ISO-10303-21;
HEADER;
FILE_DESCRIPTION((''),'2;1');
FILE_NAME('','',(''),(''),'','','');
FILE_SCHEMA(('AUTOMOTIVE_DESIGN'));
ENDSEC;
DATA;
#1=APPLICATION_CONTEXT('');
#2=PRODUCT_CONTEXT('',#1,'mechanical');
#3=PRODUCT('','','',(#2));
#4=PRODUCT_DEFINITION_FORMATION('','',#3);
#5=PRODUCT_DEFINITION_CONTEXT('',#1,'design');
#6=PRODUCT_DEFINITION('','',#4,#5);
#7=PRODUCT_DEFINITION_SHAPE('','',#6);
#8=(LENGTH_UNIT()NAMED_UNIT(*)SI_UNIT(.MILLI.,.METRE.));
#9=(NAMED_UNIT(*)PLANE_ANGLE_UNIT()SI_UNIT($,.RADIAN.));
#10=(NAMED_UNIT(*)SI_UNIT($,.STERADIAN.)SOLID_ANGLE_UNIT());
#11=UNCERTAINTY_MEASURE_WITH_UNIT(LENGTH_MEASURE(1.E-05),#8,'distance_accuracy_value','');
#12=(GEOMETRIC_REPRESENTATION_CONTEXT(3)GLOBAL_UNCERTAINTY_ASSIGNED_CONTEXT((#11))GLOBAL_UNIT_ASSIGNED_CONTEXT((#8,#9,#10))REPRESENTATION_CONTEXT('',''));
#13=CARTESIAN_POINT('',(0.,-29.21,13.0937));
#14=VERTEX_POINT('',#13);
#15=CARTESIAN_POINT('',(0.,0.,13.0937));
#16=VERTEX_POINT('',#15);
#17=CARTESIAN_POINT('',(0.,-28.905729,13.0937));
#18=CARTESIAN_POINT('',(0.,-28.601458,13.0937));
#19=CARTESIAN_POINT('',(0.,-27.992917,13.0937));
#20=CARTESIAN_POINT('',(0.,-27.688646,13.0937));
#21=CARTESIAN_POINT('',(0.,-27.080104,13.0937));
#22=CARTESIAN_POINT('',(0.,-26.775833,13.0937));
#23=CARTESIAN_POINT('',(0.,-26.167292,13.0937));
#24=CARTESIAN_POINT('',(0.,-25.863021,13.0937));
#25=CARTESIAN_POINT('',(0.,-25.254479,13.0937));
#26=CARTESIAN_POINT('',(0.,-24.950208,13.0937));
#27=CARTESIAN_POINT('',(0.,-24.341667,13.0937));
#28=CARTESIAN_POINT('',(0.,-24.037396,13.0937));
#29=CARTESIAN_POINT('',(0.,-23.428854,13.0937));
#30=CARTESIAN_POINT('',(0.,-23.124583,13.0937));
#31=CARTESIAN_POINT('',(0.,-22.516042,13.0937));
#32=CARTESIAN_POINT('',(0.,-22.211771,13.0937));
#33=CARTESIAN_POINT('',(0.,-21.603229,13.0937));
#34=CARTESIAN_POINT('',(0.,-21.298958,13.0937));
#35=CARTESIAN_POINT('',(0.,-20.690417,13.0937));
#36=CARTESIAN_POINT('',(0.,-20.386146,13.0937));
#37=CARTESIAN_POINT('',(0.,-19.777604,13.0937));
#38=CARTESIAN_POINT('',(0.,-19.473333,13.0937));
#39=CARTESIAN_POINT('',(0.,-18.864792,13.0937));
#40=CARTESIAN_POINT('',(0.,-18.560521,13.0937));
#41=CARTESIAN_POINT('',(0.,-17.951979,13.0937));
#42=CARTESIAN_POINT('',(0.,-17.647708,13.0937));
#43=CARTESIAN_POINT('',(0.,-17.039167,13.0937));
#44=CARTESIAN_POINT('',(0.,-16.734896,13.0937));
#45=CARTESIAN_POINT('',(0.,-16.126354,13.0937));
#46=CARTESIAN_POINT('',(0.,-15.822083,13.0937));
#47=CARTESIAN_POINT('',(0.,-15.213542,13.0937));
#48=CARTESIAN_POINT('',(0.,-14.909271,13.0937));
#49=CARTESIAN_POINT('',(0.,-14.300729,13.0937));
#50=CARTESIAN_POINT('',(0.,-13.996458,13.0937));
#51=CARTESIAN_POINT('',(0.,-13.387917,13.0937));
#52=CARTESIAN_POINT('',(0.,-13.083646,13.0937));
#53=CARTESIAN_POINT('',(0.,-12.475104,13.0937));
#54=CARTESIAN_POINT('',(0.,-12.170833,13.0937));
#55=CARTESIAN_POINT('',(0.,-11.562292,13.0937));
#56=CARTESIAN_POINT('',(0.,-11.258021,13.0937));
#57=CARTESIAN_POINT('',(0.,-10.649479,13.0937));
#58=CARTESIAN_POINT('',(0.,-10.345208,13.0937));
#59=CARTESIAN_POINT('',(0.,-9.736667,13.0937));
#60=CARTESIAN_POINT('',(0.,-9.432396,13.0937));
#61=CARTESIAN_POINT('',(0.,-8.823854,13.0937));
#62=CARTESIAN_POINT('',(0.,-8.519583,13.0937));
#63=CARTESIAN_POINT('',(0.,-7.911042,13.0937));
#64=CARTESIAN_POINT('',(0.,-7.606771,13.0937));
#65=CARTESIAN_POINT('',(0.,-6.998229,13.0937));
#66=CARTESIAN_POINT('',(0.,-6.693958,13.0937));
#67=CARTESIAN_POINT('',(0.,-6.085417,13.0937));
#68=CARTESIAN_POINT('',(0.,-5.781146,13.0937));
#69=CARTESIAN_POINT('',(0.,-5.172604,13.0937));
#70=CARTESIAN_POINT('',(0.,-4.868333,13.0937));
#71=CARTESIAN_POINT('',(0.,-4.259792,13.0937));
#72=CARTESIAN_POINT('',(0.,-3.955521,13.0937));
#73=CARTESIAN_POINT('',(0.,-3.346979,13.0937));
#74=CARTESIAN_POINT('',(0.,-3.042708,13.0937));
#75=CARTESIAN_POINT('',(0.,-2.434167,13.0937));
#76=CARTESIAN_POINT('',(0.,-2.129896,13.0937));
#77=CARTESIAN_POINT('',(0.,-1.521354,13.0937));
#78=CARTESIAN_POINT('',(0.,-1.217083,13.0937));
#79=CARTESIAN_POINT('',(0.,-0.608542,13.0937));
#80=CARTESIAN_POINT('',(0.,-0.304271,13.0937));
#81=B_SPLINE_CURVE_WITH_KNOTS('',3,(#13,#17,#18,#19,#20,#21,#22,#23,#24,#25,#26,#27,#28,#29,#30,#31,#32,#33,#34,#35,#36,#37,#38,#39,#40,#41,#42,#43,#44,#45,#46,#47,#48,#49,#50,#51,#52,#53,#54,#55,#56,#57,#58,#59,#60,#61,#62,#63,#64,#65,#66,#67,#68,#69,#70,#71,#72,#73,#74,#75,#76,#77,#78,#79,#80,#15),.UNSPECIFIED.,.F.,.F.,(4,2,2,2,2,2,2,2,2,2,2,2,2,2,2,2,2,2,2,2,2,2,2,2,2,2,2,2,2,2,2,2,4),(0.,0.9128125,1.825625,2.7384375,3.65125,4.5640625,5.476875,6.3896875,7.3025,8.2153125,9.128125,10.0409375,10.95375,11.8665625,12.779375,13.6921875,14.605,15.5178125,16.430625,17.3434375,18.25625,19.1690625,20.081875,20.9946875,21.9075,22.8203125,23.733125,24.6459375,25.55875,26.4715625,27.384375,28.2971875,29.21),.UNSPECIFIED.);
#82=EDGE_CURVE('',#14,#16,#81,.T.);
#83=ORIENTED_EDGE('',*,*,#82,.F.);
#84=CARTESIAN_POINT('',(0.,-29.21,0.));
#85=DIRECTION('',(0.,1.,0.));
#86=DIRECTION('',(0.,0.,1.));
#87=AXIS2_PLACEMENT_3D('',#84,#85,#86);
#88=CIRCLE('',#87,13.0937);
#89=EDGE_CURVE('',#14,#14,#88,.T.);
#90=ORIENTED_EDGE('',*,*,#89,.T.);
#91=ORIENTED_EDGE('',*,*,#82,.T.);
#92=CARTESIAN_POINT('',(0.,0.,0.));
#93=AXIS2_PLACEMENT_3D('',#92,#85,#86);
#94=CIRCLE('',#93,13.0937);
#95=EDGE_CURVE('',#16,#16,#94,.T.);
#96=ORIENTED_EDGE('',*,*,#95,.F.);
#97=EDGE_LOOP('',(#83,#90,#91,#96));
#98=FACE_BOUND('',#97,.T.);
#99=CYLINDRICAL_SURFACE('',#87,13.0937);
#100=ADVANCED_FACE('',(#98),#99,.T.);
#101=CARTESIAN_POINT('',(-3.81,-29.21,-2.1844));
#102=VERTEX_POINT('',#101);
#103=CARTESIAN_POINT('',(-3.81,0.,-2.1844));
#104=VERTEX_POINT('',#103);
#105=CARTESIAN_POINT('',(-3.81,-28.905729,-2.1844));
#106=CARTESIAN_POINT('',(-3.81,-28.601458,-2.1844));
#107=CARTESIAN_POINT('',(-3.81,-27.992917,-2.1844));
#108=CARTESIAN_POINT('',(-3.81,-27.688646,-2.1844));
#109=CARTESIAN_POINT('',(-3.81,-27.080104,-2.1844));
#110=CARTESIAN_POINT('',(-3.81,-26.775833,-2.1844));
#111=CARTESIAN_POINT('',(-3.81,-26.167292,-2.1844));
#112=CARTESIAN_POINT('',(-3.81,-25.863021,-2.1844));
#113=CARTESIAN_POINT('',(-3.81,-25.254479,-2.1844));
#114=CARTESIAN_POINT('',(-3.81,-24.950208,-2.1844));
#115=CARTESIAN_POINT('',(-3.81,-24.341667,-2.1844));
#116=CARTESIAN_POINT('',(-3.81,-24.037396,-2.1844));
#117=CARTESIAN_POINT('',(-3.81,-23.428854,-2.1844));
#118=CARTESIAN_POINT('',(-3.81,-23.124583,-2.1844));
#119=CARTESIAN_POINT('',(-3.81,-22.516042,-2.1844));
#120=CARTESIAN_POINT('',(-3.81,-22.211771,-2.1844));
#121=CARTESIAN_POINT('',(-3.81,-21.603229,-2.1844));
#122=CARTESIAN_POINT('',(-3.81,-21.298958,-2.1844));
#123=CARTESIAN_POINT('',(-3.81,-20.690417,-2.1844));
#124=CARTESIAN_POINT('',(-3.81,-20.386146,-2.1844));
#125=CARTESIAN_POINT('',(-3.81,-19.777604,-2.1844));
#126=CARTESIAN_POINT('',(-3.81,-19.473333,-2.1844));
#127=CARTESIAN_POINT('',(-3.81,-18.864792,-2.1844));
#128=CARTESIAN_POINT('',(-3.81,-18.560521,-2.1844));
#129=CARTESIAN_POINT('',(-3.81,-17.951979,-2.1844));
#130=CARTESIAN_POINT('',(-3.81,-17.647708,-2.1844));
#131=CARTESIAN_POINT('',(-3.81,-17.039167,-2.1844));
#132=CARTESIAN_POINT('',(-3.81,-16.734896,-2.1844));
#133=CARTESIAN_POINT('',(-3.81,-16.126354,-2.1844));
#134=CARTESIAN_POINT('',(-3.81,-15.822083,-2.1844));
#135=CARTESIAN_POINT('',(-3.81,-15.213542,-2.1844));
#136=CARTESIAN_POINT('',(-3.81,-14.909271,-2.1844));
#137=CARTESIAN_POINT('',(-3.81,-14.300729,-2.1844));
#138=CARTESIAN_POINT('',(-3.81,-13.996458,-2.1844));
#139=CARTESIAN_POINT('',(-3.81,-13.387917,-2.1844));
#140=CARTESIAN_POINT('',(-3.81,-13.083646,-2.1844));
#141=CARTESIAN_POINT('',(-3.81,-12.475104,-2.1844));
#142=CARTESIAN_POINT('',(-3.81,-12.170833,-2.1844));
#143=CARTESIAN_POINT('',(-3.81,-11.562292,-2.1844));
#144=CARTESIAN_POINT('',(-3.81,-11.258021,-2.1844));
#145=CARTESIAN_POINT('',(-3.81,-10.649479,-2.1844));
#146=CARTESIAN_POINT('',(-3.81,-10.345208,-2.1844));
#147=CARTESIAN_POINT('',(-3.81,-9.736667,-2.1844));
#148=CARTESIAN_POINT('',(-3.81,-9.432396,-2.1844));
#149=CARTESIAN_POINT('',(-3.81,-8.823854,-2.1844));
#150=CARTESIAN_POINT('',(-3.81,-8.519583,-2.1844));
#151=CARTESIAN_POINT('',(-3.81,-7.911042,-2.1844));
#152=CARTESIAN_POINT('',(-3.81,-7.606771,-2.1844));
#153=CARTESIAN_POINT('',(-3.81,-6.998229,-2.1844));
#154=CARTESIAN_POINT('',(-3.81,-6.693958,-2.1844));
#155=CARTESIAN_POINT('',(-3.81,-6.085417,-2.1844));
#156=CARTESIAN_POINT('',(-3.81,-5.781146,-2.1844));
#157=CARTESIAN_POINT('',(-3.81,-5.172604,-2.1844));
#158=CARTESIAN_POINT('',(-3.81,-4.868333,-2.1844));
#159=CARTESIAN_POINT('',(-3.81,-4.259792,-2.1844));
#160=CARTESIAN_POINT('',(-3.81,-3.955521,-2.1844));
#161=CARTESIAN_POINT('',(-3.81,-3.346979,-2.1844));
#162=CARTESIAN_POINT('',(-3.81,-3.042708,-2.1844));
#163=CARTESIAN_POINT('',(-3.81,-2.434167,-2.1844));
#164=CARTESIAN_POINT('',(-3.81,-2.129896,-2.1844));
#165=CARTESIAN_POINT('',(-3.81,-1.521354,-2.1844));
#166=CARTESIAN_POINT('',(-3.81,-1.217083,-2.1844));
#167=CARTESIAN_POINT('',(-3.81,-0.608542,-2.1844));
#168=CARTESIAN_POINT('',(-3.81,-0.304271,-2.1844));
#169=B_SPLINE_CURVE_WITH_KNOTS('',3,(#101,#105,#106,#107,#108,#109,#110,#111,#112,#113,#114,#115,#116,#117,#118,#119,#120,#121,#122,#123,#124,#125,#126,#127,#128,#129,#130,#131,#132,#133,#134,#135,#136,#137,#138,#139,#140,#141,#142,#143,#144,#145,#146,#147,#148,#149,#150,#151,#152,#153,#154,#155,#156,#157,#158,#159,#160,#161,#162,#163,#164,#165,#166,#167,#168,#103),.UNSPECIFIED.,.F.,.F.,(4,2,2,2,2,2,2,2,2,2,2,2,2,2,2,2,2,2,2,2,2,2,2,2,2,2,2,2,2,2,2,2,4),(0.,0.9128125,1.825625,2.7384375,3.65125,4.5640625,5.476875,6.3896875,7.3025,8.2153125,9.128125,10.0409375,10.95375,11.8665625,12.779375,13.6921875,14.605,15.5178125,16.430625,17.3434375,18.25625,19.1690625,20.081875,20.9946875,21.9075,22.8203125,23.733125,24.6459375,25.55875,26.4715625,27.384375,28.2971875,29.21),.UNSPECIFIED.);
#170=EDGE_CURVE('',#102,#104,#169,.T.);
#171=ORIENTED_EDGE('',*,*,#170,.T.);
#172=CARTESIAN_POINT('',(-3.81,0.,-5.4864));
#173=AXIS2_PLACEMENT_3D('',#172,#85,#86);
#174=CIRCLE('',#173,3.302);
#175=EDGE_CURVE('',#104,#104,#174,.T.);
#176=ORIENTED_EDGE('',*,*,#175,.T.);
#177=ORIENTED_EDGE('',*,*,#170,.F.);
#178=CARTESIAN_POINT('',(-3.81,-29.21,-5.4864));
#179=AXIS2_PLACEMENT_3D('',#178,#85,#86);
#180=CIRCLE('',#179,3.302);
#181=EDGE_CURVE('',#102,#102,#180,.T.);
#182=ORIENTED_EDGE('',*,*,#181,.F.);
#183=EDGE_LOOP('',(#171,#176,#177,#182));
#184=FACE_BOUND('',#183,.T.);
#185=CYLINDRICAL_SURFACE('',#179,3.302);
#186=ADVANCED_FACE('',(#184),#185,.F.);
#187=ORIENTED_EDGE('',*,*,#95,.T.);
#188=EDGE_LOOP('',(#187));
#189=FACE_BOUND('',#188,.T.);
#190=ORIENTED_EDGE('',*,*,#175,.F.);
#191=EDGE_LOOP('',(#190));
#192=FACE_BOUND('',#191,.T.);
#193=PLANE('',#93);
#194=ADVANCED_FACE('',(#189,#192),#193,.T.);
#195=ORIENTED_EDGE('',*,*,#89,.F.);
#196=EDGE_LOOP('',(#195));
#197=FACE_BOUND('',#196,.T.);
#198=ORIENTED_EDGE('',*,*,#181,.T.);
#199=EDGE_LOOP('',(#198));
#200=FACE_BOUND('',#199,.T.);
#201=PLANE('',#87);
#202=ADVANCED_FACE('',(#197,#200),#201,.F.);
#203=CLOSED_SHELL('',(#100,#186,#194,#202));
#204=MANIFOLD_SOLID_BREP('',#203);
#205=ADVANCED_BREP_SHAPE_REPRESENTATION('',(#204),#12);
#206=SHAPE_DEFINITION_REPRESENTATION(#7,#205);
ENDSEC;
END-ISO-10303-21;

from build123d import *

# Parameters (mm, degrees)
SKETCH1_R           = 13.0937
SKETCH1_R_2         = 3.302
BOSS_EXTRUDE1_DEPTH = 29.21


with BuildPart() as part:
    # Sketch1 → Boss-Extrude1 (new body)
    with BuildSketch(Plane(origin=(0, 0, 0), x_dir=(1, 0, 0), z_dir=(0, 1, 0))):
        with Locations(Location((0, 0, 0), (0, 0, 270))):
            Circle(SKETCH1_R)
        with Locations(Location((-3.81, 5.4864, 0), (0, 0, 270))):
            Circle(SKETCH1_R_2, mode=Mode.SUBTRACT)
    extrude(amount=-BOSS_EXTRUDE1_DEPTH)


solid = part.part
